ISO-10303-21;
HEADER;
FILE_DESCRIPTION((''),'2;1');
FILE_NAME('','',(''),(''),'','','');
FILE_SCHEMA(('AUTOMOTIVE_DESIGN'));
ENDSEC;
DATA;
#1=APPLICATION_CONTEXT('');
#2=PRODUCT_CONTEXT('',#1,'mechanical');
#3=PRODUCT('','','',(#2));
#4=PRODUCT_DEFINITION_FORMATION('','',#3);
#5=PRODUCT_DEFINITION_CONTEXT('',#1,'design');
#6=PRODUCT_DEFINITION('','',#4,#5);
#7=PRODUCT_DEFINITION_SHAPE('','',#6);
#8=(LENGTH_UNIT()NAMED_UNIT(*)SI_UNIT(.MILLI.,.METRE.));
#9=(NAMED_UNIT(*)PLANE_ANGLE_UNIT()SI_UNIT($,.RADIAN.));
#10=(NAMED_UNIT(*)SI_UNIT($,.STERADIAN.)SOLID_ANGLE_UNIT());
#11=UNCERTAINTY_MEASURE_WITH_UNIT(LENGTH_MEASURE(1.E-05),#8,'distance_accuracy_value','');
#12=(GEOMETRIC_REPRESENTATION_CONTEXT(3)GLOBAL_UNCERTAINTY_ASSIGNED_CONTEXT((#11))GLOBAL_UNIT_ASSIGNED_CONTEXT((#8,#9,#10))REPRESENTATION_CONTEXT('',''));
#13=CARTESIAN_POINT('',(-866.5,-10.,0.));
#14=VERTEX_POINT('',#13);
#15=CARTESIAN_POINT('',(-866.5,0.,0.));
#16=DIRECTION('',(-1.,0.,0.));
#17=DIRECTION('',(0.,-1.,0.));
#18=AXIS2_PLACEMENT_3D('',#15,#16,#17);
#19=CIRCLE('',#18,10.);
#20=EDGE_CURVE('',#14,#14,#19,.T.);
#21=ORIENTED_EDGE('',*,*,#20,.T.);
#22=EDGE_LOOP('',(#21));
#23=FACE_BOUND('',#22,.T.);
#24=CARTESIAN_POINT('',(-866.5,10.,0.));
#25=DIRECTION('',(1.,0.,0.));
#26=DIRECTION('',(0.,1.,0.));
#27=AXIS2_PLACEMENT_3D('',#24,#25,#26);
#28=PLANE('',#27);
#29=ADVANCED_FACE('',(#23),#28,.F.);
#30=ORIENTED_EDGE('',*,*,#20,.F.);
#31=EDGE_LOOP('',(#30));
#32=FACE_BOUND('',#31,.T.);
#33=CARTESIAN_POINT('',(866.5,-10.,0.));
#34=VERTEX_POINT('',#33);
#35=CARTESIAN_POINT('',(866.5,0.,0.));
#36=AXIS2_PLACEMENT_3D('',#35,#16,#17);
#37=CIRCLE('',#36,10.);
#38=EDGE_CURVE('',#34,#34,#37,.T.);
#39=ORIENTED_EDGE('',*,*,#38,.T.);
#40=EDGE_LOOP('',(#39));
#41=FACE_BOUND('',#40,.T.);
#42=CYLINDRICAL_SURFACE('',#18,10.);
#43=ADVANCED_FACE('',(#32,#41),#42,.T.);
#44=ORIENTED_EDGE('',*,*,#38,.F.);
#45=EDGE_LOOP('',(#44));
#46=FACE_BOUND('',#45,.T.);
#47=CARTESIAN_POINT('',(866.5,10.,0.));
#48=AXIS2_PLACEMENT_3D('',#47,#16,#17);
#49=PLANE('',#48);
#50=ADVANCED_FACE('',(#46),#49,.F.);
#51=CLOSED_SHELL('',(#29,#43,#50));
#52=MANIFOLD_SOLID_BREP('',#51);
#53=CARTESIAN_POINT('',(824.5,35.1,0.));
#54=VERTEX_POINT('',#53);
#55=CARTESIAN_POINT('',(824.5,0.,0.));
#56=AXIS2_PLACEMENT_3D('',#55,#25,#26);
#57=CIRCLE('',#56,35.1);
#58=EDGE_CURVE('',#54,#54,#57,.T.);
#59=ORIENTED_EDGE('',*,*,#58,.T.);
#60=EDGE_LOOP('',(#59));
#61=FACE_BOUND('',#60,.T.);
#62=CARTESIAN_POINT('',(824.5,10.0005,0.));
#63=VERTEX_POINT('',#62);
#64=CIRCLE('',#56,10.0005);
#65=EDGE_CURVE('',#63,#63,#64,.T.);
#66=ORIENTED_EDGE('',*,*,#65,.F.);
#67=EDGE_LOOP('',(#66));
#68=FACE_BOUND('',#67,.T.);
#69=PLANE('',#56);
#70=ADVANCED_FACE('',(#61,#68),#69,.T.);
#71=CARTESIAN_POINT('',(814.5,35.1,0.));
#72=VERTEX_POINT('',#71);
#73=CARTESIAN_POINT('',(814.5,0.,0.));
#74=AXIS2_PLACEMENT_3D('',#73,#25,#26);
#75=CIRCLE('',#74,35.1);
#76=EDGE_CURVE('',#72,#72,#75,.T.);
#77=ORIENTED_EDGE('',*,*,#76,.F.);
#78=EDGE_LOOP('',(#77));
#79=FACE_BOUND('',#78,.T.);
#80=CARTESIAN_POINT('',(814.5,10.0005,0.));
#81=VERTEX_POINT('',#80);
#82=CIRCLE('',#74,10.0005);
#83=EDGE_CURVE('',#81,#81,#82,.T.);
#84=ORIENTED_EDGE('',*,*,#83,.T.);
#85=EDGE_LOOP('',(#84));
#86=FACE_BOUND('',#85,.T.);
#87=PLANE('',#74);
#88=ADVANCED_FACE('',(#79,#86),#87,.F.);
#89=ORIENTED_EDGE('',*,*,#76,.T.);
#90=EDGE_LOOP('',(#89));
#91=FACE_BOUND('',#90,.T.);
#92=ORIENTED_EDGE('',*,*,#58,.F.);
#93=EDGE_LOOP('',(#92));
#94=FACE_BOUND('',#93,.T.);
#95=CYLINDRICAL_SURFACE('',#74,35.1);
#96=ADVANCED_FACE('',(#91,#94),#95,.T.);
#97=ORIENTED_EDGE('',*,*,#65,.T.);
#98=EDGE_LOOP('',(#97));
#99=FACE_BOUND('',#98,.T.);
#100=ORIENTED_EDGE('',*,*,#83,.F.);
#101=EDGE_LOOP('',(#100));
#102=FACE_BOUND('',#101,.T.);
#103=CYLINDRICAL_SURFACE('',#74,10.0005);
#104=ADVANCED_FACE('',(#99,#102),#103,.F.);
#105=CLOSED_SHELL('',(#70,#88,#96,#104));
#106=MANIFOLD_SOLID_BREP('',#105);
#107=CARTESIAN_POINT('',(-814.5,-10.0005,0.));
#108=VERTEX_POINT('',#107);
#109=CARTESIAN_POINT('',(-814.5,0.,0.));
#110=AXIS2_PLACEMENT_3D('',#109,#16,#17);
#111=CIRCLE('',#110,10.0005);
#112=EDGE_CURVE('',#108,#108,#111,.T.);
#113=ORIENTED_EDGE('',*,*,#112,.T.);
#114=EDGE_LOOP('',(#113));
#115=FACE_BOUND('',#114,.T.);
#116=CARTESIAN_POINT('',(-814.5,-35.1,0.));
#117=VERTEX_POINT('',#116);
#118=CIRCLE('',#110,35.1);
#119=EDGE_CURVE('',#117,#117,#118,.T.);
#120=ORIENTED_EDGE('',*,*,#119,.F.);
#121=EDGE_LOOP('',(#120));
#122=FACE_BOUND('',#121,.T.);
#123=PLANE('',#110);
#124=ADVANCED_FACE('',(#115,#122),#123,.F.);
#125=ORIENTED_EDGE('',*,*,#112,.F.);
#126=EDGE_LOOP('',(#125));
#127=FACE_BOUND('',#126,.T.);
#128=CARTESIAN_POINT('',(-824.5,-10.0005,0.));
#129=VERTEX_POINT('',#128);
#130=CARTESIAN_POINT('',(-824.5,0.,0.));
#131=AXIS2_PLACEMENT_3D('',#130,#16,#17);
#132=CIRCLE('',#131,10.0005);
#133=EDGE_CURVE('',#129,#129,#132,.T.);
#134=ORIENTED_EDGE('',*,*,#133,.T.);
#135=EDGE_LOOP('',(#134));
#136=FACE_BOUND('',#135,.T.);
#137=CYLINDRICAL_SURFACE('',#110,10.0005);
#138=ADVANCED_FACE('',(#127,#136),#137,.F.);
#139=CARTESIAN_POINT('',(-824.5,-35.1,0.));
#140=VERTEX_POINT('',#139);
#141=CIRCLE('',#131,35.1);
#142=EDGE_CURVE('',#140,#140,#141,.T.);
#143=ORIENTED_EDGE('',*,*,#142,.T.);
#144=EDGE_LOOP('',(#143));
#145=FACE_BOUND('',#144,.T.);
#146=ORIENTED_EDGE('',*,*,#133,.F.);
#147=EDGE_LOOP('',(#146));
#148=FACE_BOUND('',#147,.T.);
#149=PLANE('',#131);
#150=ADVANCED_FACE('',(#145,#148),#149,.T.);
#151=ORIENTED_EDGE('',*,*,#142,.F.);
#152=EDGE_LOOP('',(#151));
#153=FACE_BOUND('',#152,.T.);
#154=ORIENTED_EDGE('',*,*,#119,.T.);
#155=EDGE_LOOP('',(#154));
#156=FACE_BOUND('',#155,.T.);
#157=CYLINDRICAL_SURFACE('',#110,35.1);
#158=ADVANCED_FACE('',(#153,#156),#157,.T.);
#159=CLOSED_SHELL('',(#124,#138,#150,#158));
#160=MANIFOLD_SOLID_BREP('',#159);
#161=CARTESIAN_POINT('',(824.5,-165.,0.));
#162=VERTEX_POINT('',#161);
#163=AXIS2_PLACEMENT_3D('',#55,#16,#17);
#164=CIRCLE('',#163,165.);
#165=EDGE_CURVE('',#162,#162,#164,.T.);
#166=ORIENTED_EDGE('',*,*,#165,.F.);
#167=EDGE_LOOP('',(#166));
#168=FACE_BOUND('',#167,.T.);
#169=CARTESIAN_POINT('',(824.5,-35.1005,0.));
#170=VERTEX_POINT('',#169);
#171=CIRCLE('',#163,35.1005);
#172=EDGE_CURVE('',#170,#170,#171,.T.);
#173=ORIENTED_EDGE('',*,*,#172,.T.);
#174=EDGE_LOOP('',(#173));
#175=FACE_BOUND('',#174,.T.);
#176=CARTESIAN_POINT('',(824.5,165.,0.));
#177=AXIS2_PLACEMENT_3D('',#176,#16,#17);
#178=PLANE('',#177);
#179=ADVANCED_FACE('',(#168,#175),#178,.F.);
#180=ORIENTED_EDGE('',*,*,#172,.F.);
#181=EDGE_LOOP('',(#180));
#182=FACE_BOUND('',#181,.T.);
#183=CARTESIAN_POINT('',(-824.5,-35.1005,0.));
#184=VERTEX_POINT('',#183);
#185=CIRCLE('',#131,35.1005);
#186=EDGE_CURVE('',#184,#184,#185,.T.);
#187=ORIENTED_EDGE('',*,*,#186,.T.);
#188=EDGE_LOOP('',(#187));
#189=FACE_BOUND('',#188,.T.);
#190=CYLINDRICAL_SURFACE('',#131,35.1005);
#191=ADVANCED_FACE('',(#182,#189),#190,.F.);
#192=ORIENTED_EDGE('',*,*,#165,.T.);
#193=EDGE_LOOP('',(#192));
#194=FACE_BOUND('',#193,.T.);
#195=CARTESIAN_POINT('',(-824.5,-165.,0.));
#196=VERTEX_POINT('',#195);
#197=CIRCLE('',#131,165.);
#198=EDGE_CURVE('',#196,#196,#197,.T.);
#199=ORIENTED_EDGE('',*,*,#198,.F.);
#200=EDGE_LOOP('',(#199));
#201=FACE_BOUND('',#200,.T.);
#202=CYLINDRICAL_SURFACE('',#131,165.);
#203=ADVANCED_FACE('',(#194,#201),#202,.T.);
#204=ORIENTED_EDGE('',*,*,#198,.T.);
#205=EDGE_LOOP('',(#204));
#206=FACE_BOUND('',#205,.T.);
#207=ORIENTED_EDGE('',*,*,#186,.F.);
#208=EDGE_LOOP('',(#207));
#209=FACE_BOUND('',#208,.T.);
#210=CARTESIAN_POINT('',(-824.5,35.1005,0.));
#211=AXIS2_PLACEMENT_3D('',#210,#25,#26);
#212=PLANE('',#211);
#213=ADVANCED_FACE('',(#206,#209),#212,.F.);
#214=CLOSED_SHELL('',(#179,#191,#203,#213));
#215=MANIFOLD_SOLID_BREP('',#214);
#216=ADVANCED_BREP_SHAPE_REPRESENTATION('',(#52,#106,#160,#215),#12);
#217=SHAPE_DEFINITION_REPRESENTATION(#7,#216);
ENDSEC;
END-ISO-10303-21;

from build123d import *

# Parameters (mm, degrees)
SKETCH1_W           = 1649
SKETCH1_H           = 129.8995
SKETCH2_R           = 35.1
SKETCH2_R_2         = 10.0005
BOSS_EXTRUDE1_DEPTH = 10
SKETCH3_R           = 35.1
SKETCH3_R_2         = 10.0005
BOSS_EXTRUDE2_DEPTH = 10
SKETCH4_W           = 1733
SKETCH4_H           = 10


with BuildPart() as part:
    # Sketch1 → Revolve1 (revolve)
    with BuildSketch(Plane.XY, mode=Mode.PRIVATE) as revolve1_sk:
        with Locations((0, 100.05025)):
            Rectangle(SKETCH1_W, SKETCH1_H)
    revolve(revolve1_sk.sketch.rotate(Axis((-824.5, 0, 0), (1, 0, 0)), 180), axis=Axis((-824.5, 0, 0), (1, 0, 0)))


with BuildPart() as body_2:
    # Sketch2 → Boss-Extrude1 (new body)
    with BuildSketch(Plane.ZY.offset(824.5)):
        with Locations(Location((0, 0, 0), (0, 0, 270))):
            Circle(SKETCH2_R)
        with Locations(Location((0, 0, 0), (0, 0, 270))):
            Circle(SKETCH2_R_2, mode=Mode.SUBTRACT)
    extrude(amount=-BOSS_EXTRUDE1_DEPTH)


with BuildPart() as body_3:
    # Sketch3 → Boss-Extrude2 (new body)
    with BuildSketch(Plane(origin=(824.5, 0, 0), x_dir=(0, 0, -1), z_dir=(1, 0, 0))):
        with Locations(Location((0, 0, 0), (0, 0, 90))):
            Circle(SKETCH3_R)
        with Locations(Location((0, 0, 0), (0, 0, 90))):
            Circle(SKETCH3_R_2, mode=Mode.SUBTRACT)
    extrude(amount=-BOSS_EXTRUDE2_DEPTH)


with BuildPart() as body_4:
    # Sketch4 → Revolve3 (revolve)
    with BuildSketch(Plane.XY, mode=Mode.PRIVATE) as revolve3_sk:
        with Locations((0, 5)):
            Rectangle(SKETCH4_W, SKETCH4_H)
    revolve(revolve3_sk.sketch.rotate(Axis((-866.5, 0, 0), (1, 0, 0)), 180), axis=Axis((-866.5, 0, 0), (1, 0, 0)))


solid = Compound([part.part, body_2.part, body_3.part, body_4.part])
